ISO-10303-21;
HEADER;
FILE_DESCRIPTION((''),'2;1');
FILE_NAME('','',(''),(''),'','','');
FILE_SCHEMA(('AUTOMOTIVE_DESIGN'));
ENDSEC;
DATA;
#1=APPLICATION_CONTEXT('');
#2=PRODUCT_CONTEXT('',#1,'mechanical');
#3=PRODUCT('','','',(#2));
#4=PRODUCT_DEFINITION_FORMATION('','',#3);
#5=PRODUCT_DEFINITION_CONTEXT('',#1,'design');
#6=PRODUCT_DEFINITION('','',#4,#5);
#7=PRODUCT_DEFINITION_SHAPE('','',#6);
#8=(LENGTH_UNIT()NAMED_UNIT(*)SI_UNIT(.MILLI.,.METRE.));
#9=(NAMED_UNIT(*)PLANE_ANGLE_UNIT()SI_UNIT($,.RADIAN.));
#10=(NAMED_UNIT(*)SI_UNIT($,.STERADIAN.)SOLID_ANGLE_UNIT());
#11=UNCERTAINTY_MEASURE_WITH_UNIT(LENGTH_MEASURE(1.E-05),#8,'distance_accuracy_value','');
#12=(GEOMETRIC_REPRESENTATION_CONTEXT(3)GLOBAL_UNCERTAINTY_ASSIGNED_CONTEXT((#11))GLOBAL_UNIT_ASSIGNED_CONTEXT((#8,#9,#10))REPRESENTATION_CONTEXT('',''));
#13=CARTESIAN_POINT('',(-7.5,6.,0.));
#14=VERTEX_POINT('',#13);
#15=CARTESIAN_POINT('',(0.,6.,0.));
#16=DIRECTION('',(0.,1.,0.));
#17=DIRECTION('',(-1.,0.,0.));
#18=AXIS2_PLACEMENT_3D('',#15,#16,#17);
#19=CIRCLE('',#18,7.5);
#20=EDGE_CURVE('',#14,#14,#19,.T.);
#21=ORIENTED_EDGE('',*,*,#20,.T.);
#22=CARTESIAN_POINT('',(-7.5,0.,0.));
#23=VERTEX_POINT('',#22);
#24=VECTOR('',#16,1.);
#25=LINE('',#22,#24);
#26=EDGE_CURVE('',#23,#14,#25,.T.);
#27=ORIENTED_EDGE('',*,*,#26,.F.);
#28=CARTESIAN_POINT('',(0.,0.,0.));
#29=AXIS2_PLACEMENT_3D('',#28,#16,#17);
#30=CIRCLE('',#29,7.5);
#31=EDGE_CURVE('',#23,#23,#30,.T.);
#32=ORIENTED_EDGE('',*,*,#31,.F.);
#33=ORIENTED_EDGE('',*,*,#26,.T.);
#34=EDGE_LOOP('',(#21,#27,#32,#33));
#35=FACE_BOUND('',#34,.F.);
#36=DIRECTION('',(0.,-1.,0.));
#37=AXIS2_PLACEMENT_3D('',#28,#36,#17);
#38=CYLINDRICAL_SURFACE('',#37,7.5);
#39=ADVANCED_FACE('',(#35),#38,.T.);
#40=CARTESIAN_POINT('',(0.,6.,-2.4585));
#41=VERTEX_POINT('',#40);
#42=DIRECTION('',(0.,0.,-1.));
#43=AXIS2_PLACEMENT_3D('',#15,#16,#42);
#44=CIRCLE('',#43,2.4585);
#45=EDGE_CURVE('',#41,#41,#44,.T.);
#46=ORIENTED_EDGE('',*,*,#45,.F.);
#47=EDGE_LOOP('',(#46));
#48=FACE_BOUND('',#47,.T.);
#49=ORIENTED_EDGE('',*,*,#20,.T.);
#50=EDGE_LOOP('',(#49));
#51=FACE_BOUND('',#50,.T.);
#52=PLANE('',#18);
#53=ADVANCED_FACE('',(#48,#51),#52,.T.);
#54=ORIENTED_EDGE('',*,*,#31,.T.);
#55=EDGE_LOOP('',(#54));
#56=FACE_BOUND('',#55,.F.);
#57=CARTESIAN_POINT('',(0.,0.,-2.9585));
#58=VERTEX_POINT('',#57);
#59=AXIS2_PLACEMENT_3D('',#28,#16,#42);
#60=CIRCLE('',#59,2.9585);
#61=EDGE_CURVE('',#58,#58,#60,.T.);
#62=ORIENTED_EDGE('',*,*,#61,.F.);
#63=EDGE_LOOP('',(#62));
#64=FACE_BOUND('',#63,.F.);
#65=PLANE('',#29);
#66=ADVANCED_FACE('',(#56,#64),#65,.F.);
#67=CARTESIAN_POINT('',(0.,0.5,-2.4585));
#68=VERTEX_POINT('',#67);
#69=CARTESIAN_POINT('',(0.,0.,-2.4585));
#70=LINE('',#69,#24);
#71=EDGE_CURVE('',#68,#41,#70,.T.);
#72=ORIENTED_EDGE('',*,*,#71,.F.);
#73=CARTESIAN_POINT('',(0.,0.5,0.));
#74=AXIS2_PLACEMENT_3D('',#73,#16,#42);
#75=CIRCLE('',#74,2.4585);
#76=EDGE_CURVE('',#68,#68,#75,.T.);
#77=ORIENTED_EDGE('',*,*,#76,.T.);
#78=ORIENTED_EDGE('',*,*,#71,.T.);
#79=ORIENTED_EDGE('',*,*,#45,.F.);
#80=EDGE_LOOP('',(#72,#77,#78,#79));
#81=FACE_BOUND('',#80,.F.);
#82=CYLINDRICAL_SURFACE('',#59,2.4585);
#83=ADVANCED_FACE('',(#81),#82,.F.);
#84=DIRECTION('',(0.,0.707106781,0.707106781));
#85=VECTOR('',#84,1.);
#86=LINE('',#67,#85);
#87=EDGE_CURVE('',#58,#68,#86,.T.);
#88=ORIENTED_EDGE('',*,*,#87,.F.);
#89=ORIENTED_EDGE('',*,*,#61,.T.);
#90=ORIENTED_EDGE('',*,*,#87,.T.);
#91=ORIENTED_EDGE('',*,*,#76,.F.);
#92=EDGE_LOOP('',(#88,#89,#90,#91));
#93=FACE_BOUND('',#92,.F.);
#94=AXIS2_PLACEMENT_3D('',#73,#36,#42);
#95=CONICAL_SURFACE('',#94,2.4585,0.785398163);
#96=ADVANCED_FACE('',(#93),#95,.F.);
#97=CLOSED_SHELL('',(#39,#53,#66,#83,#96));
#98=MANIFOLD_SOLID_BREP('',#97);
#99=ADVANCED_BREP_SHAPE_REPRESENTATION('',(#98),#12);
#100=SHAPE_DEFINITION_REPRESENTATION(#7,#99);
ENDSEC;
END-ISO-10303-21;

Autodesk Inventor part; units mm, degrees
ref_plane "YZ Plane" through (0, 0, 0) normal (1, 0, 0) x (0, 1, 0)
ref_plane "XZ Plane" through (0, 0, 0) normal (0, 1, 0) x (-1, 0, 0)
ref_plane "XY Plane" through (0, 0, 0) normal (0, 0, 1) x (1, 0, 0)
sketch "Sketch1" plane through (0, 0, 0) normal (0, 1, 0) x (-1, 0, 0)
  circle A0 centre (0, 0) radius 7.5
  dimension "d0" = 15
extrude "Extrusion1" add sketch "Sketch1" along normal blind 6
sketch "Sketch2" plane through (0, 0, 0) normal (0, -1, 0) x (1, 0, 0)
  circle A0 centre (0, 0) radius 7.5 projected
hole "Hole1" at (0, 0, 0) direction (0, 1, 0) diameter 4.917 end through all thread size "M6x1" class "6H" standard "ISO Metric profile"
chamfer "Chamfer1" distance 0.5 angle 45 1 edges at (0, 0, 2.4585)
properties part number "02-13-docisk_K3" material "Stainless Steel"
